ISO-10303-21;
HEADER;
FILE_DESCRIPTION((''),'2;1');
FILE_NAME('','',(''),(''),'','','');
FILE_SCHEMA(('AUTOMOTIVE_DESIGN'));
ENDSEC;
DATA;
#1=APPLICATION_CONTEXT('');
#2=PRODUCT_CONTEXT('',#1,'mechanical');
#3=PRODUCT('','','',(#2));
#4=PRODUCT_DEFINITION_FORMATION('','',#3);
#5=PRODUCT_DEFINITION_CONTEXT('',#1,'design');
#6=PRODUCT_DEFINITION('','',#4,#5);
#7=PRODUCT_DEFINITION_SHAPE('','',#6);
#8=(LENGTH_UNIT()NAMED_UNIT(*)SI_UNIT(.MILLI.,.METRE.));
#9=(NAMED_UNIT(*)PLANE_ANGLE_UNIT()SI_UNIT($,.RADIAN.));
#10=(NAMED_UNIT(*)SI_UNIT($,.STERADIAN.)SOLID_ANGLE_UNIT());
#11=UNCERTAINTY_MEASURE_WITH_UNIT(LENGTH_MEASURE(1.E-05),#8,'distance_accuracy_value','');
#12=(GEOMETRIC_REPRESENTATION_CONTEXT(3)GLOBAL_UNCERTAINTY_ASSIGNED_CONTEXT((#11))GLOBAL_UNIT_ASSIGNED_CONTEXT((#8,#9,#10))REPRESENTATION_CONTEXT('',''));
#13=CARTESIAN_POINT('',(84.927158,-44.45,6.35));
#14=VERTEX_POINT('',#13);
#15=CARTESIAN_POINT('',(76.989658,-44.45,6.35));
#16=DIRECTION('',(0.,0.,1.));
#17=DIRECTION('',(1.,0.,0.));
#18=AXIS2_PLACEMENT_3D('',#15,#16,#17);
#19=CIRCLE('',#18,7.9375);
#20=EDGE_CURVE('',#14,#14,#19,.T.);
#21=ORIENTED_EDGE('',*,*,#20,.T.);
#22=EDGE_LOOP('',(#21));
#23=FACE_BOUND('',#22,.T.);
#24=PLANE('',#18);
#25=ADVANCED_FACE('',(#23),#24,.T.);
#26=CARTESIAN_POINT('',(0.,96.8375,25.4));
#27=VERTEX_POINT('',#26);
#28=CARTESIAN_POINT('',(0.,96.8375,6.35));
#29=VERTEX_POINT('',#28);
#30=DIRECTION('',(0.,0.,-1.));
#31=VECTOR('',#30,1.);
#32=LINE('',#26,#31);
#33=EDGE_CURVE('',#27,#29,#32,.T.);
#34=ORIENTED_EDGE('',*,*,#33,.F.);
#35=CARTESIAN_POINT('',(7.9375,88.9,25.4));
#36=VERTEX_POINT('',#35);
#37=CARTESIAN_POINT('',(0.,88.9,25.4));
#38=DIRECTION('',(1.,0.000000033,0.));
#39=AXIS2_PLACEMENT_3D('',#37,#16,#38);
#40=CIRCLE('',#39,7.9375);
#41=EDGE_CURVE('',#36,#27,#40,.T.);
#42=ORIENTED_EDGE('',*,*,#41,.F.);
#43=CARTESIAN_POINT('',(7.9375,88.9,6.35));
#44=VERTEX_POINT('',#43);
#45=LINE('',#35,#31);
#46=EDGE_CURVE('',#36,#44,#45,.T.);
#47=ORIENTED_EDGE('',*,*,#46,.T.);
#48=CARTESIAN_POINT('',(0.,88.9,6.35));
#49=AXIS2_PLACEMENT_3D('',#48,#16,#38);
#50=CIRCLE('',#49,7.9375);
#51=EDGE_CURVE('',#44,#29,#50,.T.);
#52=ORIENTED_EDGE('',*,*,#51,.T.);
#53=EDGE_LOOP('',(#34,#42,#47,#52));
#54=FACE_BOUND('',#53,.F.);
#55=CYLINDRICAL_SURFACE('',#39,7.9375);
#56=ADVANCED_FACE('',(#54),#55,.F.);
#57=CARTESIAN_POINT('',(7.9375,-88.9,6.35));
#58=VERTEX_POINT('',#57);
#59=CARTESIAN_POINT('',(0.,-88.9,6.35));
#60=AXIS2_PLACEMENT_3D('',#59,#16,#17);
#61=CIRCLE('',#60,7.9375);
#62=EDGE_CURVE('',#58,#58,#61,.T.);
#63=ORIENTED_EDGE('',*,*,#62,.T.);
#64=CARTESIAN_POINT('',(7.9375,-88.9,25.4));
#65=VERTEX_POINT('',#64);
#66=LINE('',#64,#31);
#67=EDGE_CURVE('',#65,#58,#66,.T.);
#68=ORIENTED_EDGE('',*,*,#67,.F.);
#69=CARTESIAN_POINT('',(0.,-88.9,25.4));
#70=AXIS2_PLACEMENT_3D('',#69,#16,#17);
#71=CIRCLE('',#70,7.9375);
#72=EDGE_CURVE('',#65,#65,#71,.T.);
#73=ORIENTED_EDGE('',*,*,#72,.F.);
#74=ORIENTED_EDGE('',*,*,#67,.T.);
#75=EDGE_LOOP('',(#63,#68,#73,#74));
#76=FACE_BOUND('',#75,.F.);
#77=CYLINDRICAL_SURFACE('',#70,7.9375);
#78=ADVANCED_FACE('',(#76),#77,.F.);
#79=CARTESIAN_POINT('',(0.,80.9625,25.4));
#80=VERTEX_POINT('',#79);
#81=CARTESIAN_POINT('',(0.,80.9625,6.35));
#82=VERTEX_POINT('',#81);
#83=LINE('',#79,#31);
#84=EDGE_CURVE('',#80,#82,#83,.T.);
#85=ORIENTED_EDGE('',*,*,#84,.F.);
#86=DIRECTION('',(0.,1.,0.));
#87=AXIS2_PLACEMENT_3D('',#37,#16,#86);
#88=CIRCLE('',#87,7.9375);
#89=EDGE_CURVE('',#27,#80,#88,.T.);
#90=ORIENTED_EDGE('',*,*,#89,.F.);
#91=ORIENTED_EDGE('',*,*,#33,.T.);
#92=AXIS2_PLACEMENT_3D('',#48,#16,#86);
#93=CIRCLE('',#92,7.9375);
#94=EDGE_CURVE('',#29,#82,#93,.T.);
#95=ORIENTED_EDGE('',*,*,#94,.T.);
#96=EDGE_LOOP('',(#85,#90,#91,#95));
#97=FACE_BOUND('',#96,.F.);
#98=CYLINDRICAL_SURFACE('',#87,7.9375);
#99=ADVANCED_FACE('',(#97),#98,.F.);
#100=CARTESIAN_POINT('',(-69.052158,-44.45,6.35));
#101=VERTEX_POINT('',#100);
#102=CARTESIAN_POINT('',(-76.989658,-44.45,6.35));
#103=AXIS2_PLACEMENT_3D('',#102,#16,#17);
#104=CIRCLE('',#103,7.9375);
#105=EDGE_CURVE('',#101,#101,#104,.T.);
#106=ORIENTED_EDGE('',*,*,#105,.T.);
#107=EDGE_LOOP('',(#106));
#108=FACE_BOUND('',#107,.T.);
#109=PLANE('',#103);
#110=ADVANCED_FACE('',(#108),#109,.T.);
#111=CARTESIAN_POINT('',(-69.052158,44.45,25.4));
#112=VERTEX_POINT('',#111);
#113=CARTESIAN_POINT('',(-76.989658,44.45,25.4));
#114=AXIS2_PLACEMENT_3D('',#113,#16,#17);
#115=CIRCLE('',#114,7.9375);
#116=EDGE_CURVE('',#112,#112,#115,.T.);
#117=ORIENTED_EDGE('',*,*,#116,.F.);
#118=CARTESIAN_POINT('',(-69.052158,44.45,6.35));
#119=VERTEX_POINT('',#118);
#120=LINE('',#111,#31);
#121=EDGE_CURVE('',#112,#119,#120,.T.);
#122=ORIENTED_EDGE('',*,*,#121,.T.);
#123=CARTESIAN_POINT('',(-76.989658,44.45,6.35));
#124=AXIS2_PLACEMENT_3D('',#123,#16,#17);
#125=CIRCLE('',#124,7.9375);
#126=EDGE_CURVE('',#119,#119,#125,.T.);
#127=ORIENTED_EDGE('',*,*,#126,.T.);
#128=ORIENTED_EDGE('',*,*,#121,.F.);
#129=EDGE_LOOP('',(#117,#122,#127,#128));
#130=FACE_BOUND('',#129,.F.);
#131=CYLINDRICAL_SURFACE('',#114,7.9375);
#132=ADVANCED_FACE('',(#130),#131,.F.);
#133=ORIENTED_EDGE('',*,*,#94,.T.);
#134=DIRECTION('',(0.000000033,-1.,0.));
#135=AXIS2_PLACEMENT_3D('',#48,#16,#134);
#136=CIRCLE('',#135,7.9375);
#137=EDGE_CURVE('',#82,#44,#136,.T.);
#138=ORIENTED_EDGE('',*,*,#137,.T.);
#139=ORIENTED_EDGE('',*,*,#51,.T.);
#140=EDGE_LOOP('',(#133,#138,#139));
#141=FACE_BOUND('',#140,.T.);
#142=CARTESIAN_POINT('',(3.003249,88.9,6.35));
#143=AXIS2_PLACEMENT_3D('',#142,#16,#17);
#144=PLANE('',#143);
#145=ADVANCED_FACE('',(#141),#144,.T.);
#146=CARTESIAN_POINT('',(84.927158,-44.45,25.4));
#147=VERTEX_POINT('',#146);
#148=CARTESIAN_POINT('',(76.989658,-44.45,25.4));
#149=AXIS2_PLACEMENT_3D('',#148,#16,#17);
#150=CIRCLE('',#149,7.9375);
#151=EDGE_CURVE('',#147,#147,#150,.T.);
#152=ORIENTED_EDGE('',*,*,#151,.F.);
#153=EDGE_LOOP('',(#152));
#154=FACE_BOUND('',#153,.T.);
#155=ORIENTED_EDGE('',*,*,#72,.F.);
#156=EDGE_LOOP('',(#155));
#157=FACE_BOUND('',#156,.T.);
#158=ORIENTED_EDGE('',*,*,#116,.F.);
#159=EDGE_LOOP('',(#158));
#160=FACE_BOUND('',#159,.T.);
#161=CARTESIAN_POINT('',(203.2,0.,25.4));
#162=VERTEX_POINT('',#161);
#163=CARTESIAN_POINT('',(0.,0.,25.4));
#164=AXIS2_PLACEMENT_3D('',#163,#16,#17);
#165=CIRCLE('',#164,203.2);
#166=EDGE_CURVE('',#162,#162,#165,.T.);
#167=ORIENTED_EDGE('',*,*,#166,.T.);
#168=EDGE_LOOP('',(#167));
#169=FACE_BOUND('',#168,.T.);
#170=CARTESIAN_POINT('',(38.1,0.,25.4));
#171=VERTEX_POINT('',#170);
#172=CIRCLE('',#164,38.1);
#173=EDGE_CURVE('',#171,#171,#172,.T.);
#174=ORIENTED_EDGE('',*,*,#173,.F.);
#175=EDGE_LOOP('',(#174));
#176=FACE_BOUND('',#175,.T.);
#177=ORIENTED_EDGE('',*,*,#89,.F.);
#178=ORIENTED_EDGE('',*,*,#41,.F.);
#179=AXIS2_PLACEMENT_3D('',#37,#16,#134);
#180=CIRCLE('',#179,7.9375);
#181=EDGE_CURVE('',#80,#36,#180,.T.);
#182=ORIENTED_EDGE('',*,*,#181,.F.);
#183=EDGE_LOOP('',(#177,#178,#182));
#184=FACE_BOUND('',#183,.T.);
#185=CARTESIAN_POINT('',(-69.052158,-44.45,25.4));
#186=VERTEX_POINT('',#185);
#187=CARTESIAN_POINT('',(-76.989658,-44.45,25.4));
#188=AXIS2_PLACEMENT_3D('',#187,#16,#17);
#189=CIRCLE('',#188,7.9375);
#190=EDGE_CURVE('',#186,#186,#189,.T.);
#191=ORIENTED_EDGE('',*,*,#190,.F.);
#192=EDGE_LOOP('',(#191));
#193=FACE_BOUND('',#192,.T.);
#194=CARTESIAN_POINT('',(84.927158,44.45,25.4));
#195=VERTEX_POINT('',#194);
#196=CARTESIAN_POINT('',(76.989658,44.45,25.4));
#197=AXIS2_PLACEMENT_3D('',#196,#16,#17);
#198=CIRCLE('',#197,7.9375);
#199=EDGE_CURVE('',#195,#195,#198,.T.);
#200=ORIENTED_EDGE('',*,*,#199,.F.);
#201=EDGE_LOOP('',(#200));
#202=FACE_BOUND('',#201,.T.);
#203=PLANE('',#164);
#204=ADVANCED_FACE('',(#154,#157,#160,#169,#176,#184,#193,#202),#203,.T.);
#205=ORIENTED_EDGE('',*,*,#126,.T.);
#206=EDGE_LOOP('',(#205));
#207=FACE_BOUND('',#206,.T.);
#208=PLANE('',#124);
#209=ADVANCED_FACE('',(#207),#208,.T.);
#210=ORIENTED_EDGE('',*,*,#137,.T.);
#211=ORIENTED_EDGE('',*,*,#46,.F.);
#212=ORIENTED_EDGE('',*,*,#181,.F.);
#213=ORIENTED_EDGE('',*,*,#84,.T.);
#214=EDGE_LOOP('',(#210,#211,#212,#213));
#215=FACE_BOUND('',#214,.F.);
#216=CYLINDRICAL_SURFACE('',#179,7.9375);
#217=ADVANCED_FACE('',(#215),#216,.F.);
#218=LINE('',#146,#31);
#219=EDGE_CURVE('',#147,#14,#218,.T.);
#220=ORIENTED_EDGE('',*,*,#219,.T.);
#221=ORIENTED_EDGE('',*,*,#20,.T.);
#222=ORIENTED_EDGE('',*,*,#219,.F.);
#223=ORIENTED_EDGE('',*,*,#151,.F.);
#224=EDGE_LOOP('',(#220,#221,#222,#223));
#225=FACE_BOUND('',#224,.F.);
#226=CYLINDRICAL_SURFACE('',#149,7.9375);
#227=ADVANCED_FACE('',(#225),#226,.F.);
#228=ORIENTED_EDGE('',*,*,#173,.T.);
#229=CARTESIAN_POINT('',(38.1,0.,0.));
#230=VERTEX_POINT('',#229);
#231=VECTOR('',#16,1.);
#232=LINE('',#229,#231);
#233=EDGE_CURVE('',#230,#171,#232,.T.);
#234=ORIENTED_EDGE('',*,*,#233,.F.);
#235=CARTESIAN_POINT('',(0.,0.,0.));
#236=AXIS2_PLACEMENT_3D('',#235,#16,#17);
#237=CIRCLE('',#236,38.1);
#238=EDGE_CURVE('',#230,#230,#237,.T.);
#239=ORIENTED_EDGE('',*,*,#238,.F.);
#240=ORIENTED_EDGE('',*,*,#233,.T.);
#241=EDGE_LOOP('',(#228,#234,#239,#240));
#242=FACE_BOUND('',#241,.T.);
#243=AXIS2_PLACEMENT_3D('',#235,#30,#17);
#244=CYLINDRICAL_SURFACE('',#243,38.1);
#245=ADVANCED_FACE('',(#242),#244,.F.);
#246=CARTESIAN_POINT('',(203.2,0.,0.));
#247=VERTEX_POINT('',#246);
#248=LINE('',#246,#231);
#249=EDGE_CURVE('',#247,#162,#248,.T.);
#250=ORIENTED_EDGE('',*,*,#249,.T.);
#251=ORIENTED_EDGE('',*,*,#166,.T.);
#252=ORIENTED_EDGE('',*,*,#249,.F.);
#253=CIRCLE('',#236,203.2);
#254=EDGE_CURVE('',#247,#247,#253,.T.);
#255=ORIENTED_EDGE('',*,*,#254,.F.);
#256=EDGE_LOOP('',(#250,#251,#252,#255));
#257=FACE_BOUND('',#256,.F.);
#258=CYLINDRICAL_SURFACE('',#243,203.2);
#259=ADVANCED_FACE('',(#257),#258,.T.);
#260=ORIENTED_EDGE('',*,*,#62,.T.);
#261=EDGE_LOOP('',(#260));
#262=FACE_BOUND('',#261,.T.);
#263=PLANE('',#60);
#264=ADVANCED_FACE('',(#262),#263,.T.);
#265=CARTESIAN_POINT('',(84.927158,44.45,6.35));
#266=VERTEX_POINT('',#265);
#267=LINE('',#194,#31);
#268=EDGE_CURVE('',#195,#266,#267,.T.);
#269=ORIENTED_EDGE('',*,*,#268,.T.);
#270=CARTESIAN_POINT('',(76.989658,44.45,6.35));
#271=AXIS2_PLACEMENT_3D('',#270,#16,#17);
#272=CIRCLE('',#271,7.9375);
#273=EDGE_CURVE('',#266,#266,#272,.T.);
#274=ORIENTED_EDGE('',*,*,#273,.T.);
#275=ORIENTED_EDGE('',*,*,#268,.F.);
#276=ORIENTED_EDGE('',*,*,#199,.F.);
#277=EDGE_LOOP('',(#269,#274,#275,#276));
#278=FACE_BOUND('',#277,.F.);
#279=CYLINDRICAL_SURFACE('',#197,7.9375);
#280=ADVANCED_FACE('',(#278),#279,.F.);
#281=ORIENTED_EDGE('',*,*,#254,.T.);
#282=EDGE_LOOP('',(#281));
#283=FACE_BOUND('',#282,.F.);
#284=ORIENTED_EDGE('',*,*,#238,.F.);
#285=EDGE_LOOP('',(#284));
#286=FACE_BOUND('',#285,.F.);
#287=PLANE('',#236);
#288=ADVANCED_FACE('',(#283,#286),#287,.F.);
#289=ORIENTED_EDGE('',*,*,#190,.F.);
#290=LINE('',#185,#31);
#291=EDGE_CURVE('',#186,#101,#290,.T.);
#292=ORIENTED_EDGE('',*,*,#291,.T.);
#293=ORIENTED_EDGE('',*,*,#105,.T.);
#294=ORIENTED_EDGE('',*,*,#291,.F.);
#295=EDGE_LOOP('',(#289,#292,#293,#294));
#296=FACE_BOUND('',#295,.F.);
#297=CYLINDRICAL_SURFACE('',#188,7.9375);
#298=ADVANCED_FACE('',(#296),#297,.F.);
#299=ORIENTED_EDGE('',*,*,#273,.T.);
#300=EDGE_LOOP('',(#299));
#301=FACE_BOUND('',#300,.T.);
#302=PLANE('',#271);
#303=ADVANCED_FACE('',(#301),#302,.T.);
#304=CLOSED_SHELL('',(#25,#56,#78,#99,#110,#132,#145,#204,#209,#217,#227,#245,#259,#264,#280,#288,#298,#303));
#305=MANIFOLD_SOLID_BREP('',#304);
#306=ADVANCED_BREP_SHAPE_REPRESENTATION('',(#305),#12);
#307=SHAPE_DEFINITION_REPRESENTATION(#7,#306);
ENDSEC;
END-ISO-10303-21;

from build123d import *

# Parameters (mm, degrees)
F0_R     = 203.2
F0_R_2   = 38.1
F1_DEPTH = 25.4
F2_R     = 7.9375
F3_DEPTH = 19.05


with BuildPart() as f1:
    # F0 (on Top) → F1 (new body)
    with BuildSketch(Plane.XY):
        Circle(F0_R)
        Circle(F0_R_2, mode=Mode.SUBTRACT)
    extrude(amount=F1_DEPTH)

    # F2 (on face) → F3 (cut)
    with BuildSketch(Plane.XY.offset(25.4)):
        with BuildLine():
            ThreePointArc((0, 80.9625), (5.61266, 83.28734), (7.9375, 88.9))
            ThreePointArc((7.9375, 88.9), (5.61266, 94.51266), (0, 96.8375))
            Line((0, 96.8375), (0, 88.9))
            Line((0, 88.9), (0, 80.9625))
        make_face()
        with BuildLine():
            Line((0, 88.9), (0, 96.8375))
            ThreePointArc((0, 96.8375), (-7.9375, 88.9), (0, 80.9625))
            Line((0, 80.9625), (0, 88.9))
        make_face()
        with Locations((-76.989658, 44.45)):
            Circle(F2_R)
        with Locations((-76.989658, -44.45)):
            Circle(F2_R)
        with Locations((0, -88.9)):
            Circle(F2_R)
        with Locations((76.989658, -44.45)):
            Circle(F2_R)
        with Locations((76.989658, 44.45)):
            Circle(F2_R)
    extrude(amount=-F3_DEPTH, mode=Mode.SUBTRACT)


solid = f1.part
